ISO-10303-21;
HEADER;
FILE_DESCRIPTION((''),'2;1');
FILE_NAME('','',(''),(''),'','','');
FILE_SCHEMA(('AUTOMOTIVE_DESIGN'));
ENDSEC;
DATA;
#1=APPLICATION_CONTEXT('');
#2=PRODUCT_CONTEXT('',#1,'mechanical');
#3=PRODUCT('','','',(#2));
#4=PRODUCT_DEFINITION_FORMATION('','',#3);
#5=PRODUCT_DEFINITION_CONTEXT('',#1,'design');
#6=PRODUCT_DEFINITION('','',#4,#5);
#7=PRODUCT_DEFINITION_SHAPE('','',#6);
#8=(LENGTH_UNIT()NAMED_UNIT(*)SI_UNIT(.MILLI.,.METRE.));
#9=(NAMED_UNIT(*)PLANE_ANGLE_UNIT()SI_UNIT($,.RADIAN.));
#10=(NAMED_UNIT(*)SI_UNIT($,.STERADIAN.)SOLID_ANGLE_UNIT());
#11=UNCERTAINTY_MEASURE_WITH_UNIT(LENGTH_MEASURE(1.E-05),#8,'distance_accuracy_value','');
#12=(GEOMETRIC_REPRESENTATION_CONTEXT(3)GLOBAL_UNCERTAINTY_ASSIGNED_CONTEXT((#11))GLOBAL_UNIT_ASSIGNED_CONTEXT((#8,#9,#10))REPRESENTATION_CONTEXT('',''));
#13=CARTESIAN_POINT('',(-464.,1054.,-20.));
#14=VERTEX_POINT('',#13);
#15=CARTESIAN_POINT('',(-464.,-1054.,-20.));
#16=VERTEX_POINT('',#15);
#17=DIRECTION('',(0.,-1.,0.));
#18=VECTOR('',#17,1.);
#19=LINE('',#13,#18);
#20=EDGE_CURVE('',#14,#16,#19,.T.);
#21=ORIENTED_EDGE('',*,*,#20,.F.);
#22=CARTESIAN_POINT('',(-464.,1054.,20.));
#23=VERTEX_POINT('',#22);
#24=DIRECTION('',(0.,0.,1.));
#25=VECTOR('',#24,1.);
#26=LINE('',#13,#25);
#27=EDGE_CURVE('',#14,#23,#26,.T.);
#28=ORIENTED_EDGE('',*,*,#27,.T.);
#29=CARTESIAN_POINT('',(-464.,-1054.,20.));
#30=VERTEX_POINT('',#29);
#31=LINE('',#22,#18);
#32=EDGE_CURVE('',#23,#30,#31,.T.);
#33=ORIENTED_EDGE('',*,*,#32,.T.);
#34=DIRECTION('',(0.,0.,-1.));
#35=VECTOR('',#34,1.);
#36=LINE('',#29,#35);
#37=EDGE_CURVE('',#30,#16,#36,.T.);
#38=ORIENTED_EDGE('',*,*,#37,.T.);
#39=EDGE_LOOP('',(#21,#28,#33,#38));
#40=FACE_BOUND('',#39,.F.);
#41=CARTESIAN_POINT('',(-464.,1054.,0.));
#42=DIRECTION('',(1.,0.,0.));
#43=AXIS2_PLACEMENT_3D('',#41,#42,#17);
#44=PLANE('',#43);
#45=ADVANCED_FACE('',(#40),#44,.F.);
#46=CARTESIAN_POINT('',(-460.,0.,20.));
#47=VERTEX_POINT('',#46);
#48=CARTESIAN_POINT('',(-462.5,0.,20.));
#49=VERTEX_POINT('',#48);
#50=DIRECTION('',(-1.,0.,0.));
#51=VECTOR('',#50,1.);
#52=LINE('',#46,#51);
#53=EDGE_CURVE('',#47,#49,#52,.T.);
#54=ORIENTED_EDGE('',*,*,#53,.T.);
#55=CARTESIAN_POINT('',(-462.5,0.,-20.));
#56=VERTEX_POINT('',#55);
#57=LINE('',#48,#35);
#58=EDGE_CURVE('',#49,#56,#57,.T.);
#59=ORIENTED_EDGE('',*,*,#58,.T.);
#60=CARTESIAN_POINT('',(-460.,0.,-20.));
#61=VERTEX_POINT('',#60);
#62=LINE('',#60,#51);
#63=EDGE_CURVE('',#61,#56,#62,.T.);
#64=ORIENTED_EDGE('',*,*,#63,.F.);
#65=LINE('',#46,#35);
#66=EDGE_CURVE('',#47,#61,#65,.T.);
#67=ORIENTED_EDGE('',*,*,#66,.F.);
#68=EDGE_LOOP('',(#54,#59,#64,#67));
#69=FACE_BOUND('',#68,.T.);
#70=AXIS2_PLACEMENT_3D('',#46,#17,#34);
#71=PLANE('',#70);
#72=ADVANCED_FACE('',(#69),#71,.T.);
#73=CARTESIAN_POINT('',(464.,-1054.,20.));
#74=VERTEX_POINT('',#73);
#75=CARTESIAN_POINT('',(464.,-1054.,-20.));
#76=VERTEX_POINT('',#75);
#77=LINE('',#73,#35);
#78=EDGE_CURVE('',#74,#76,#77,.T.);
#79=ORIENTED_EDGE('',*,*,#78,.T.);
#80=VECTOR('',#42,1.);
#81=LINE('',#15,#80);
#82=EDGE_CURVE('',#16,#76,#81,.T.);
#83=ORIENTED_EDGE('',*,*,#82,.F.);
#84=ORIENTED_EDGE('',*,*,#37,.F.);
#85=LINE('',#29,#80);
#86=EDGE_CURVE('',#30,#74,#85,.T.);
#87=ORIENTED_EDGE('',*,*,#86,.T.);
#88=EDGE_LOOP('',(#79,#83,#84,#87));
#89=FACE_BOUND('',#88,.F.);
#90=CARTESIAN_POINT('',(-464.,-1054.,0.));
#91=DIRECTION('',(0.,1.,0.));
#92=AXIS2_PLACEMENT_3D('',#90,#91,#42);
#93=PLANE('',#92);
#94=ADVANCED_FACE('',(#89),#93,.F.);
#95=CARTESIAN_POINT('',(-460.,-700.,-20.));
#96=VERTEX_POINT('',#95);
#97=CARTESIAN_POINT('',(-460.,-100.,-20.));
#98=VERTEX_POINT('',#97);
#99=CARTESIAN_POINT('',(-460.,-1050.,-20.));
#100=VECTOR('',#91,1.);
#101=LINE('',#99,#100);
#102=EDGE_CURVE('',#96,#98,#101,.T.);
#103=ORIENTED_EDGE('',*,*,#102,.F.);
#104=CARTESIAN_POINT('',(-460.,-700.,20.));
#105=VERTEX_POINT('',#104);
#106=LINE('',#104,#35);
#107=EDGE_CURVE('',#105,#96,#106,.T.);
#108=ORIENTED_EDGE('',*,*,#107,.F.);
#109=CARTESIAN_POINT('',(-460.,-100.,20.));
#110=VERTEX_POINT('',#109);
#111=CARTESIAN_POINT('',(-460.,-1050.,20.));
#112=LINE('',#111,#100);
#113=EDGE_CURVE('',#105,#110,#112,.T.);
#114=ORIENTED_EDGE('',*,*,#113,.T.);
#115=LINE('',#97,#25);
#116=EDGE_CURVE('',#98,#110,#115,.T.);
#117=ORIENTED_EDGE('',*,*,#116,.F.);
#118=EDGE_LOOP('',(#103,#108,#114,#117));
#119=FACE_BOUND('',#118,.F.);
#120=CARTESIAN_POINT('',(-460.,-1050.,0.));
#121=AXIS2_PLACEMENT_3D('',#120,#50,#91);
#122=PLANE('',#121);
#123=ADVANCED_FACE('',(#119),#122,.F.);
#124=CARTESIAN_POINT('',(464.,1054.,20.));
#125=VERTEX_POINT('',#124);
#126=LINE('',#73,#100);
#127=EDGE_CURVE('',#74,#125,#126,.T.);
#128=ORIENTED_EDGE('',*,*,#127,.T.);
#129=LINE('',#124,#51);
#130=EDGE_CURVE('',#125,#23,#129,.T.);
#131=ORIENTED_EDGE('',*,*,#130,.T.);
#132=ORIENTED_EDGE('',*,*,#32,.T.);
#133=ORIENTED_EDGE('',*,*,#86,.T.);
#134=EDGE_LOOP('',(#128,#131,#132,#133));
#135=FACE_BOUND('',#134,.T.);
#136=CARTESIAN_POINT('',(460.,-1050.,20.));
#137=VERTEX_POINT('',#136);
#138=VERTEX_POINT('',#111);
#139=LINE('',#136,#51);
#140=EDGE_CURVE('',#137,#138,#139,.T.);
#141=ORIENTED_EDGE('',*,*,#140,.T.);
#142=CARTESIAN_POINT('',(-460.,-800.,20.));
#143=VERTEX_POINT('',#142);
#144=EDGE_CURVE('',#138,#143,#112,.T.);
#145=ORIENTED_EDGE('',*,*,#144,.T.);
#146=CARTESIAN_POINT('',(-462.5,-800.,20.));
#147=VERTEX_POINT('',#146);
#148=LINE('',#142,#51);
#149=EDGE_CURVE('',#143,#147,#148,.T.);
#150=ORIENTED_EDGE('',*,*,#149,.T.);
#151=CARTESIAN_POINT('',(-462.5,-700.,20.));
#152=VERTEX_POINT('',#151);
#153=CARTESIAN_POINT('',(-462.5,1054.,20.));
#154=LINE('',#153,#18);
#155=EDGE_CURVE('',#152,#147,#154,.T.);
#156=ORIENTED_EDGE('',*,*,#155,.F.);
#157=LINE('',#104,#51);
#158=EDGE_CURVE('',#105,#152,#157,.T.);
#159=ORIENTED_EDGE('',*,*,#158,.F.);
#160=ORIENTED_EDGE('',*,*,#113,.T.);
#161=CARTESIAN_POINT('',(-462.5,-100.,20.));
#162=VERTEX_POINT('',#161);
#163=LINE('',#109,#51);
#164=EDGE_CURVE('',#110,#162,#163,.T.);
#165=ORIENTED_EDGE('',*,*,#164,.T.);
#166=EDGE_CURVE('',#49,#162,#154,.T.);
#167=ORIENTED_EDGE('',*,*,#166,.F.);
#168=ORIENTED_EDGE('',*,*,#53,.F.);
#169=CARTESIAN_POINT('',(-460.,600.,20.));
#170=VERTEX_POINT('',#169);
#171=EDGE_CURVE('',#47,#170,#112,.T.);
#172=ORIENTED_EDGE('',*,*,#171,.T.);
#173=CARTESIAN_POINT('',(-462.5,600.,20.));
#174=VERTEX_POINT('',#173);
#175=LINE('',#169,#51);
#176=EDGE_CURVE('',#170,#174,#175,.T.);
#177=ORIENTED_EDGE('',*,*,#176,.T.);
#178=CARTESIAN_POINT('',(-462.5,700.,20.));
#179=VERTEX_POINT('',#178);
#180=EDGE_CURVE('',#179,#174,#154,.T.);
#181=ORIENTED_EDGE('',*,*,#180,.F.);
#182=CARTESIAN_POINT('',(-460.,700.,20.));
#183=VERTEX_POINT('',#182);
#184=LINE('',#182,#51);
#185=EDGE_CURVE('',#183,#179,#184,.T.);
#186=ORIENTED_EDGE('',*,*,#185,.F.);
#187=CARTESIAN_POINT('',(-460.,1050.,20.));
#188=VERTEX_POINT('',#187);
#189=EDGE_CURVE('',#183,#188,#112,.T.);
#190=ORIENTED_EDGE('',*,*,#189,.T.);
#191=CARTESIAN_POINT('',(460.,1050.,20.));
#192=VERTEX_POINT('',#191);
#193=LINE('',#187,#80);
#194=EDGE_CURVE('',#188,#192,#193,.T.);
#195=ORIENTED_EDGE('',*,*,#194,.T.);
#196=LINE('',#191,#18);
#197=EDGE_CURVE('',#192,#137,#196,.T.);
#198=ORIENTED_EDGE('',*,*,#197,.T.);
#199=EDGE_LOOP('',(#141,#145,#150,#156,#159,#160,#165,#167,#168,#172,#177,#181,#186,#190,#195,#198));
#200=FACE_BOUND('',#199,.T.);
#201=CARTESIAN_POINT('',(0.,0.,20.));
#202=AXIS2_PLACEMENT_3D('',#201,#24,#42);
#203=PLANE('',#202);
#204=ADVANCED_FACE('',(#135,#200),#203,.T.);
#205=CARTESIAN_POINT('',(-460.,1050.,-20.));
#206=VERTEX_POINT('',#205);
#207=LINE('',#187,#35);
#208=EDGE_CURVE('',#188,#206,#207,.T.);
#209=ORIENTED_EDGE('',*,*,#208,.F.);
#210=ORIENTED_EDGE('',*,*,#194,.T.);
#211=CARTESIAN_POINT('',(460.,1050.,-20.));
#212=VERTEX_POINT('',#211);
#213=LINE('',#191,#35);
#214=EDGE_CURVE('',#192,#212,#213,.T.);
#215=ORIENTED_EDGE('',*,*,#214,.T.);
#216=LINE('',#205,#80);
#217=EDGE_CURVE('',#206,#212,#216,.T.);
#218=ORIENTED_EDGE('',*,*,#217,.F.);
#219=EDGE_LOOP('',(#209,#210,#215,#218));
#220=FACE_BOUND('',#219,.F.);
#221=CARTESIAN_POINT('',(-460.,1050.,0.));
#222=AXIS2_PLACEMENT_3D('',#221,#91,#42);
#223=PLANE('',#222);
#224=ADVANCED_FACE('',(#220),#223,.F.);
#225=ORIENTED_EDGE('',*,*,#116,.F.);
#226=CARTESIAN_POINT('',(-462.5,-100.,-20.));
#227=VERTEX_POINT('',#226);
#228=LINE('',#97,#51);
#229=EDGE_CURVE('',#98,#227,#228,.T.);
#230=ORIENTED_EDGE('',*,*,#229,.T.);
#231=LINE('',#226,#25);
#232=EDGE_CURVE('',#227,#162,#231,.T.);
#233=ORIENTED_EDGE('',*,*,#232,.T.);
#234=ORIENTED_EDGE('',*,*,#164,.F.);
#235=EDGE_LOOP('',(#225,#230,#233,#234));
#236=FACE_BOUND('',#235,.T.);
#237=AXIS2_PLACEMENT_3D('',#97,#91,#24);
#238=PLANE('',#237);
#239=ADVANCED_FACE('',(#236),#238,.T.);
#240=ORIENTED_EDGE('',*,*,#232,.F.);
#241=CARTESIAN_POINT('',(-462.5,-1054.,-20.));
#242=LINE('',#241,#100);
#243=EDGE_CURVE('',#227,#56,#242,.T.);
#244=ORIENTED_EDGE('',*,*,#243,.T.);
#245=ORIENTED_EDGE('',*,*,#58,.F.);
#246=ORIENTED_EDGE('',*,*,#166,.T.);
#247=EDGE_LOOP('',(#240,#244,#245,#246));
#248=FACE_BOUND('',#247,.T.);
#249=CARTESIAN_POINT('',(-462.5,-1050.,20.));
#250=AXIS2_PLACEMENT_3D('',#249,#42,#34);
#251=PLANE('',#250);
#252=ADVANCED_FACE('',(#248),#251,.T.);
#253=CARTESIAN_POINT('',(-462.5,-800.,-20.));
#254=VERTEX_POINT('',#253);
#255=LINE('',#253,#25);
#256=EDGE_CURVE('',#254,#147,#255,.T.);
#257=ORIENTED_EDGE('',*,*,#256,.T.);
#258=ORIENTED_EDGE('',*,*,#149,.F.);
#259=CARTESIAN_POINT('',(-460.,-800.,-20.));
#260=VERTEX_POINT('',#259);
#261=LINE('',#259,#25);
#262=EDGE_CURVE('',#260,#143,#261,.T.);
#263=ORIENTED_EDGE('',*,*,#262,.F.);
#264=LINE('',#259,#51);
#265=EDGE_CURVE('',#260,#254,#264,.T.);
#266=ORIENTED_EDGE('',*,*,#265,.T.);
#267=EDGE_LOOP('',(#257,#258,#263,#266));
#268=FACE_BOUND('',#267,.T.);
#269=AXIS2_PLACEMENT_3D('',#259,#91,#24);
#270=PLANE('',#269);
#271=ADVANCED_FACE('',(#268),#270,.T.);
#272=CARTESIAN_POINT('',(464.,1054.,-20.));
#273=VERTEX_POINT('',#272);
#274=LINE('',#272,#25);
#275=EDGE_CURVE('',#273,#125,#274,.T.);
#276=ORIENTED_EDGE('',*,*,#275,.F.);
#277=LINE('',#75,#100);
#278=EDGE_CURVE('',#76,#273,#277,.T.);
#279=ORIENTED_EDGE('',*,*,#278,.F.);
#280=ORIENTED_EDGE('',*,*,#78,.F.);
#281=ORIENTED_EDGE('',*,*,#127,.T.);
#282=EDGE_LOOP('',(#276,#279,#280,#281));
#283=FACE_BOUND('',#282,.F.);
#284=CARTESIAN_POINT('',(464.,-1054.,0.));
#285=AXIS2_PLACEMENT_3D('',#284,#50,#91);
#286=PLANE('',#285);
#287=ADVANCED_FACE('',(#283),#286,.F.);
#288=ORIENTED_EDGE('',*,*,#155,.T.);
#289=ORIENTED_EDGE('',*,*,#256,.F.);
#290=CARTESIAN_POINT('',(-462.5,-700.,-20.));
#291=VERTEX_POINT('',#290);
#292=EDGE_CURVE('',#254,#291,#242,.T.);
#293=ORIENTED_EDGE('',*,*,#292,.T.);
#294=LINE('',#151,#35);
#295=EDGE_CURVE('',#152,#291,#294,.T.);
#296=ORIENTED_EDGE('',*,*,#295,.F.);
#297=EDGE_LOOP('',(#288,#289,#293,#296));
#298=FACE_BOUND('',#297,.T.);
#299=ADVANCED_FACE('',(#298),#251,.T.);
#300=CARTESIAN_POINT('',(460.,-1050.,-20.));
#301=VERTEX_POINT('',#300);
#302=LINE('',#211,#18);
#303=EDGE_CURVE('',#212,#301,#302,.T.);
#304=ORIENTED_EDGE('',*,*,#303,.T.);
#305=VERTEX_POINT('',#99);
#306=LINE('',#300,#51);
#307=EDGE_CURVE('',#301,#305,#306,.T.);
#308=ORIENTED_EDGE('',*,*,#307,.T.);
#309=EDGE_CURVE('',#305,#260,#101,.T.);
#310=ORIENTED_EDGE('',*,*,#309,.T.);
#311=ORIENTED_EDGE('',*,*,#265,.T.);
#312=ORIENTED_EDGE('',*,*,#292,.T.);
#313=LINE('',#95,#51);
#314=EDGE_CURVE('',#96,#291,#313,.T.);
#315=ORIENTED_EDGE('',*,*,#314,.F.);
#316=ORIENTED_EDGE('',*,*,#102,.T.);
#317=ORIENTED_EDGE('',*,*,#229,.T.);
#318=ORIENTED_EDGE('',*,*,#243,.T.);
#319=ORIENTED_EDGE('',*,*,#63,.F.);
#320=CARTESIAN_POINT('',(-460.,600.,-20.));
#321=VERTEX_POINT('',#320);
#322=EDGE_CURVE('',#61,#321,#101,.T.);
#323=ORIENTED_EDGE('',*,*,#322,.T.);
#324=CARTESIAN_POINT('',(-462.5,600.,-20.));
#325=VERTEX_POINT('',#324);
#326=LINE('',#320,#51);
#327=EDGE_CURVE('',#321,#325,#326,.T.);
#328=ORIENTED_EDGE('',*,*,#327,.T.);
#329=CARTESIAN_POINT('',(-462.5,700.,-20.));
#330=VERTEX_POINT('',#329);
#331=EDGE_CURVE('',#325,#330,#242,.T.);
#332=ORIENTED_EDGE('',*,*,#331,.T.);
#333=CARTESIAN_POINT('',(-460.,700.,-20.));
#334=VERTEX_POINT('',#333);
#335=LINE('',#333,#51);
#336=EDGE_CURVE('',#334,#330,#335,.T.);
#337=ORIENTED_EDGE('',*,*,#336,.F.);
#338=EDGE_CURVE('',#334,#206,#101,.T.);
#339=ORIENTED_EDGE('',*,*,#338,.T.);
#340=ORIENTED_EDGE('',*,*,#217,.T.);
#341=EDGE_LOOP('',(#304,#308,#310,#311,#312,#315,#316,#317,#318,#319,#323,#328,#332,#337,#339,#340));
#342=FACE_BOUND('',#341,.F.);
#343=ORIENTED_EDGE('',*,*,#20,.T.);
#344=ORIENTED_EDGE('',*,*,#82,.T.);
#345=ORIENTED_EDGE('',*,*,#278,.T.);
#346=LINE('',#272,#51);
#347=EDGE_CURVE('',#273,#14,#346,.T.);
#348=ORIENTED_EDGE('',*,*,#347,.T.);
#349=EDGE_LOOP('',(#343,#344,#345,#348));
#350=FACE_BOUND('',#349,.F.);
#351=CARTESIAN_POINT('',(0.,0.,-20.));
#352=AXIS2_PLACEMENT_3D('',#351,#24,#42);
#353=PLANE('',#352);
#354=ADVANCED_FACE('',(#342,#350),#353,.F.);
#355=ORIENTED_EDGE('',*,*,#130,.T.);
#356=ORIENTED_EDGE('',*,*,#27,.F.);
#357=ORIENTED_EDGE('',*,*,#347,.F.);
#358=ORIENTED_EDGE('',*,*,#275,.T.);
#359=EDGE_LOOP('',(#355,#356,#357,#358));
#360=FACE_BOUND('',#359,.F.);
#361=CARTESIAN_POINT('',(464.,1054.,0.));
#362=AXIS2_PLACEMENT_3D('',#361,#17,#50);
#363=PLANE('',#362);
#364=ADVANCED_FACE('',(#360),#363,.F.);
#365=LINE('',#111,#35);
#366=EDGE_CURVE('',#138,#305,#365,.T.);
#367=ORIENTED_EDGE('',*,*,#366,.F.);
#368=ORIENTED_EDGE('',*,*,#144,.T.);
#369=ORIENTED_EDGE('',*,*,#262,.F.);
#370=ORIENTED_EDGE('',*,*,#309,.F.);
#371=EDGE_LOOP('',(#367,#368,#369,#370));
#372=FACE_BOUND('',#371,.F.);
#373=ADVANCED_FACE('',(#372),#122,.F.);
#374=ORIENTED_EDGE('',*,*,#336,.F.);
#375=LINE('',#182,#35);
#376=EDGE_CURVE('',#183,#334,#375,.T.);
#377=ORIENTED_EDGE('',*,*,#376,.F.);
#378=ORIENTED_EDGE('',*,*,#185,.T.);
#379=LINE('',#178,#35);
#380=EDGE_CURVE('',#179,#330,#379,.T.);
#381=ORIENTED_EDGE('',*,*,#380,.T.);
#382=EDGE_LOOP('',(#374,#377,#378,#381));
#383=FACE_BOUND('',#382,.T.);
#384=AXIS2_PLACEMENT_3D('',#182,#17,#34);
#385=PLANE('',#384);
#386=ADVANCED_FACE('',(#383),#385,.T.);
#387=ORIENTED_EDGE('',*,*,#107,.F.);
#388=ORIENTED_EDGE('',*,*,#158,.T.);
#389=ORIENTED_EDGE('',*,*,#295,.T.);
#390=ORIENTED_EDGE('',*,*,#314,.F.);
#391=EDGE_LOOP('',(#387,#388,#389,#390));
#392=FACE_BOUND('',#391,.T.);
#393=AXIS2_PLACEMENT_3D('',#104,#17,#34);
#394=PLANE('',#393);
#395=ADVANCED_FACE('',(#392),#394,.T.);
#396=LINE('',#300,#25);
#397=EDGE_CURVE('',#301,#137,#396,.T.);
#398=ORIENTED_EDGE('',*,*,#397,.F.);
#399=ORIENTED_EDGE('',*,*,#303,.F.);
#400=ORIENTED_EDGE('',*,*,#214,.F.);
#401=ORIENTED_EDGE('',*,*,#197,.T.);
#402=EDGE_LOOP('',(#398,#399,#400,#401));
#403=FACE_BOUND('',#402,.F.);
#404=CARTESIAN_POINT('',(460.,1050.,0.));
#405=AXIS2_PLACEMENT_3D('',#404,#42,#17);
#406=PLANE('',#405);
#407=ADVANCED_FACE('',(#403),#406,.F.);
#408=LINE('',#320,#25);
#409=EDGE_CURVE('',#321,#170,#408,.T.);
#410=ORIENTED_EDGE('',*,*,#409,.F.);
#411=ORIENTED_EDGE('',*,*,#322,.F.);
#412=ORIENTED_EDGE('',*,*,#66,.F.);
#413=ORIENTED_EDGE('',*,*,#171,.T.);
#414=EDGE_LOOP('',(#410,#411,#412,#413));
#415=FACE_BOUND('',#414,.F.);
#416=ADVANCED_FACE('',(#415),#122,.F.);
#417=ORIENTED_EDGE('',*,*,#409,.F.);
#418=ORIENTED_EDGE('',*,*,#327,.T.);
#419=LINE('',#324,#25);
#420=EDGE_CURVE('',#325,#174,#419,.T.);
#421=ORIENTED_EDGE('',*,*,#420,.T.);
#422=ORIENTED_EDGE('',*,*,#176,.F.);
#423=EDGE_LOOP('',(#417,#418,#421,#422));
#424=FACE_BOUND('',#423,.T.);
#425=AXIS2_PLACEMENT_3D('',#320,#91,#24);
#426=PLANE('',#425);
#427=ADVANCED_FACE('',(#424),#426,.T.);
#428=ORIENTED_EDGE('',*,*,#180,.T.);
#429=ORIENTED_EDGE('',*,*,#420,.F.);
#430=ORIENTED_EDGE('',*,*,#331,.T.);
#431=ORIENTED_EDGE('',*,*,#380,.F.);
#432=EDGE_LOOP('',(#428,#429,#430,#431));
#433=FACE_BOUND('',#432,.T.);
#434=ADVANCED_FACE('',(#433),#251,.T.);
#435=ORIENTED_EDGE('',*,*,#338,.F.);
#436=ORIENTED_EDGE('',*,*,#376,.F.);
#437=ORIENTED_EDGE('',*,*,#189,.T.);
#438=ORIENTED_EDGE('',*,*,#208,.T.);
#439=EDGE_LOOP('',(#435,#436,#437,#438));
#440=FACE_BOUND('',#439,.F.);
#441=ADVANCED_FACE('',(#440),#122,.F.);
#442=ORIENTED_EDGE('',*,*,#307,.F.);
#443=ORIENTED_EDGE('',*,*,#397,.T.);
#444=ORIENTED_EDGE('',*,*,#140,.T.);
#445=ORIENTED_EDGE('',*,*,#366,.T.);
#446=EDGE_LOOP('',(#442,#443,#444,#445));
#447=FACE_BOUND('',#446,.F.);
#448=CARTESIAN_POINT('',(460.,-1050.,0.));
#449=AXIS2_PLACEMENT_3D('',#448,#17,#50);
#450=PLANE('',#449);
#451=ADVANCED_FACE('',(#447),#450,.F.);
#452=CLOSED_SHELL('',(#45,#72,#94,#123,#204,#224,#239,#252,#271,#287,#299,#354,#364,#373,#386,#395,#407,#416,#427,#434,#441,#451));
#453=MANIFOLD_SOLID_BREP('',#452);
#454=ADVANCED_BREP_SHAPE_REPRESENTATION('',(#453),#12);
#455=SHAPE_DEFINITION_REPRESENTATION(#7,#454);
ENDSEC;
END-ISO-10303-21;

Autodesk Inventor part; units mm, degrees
ref_plane "YZ Plane" through (0, 0, 0) normal (1, 0, 0) x (0, 1, 0)
ref_plane "XZ Plane" through (0, 0, 0) normal (0, 1, 0) x (-1, 0, 0)
ref_plane "XY Plane" through (0, 0, 0) normal (0, 0, 1) x (1, 0, 0)
sketch "Sketch1" plane through (0, 0, 0) normal (0, 0, 1) x (1, 0, 0)
  line L0 (460, -1050) -> (-460, -1050)
  line L1 (-460, -1050) -> (-460, 1050)
  line L2 (-460, 1050) -> (460, 1050)
  line L3 (460, 1050) -> (460, -1050)
  line L4 (460, -1050) -> (-460, 1050) construction
  line L5 (-460, -1050) -> (460, 1050) construction
  line L6 (464, 1054) -> (-464, 1054)
  line L7 (-464, 1054) -> (-464, -1054)
  line L8 (-464, -1054) -> (464, -1054)
  line L9 (464, -1054) -> (464, 1054)
  point P0 (0, 0)
  dimension "d0" = 920
  dimension "d1" = 2100
  dimension "d2" = 4
extrude "Extrusion1" add sketch "Sketch1" along normal mid plane 40
sketch "Sketch2" plane through (-460, -1050, 20) normal (1, 0, 0) x (0, 0, -1)
  line L0 (0, 2104) -> (0, -4) projected
  line L1 (40, -4) -> (40, 2104) projected
  line L2 (0, 1750) -> (40, 1750)
  line L3 (40, 1750) -> (40, 1650)
  line L4 (40, 1650) -> (0, 1650)
  line L5 (0, 1650) -> (0, 1750)
  line L6 (0, 2104) -> (40, 2104) projected
  line L7 (0, 1050) -> (40, 1050)
  line L8 (40, 1050) -> (40, 950)
  line L9 (40, 950) -> (0, 950)
  line L10 (0, 950) -> (0, 1050)
  line L11 (0, 350) -> (40, 350)
  line L12 (40, 350) -> (40, 250)
  line L13 (40, 250) -> (0, 250)
  line L14 (0, 250) -> (0, 350)
  line L15 (40, 2100) -> (0, 2100) projected
  point P0 (20, 1050)
  point P1 (0, 250)
  point P2 (40, 350)
  point P3 (0, 950)
  point P4 (40, 1050)
  point P5 (0, 1650)
  point P6 (40, 1750)
  dimension "d5" = 100
  dimension "d9" = 700
  dimension "d16" = 350
extrude "Extrusion2" cut sketch "Sketch2" against normal blind 2.5 contours L2 L1 L4 L0 | L7 L1 L9 L0 | L11 L1 L13 L0
properties part number "Frame1" material "Zinc"
